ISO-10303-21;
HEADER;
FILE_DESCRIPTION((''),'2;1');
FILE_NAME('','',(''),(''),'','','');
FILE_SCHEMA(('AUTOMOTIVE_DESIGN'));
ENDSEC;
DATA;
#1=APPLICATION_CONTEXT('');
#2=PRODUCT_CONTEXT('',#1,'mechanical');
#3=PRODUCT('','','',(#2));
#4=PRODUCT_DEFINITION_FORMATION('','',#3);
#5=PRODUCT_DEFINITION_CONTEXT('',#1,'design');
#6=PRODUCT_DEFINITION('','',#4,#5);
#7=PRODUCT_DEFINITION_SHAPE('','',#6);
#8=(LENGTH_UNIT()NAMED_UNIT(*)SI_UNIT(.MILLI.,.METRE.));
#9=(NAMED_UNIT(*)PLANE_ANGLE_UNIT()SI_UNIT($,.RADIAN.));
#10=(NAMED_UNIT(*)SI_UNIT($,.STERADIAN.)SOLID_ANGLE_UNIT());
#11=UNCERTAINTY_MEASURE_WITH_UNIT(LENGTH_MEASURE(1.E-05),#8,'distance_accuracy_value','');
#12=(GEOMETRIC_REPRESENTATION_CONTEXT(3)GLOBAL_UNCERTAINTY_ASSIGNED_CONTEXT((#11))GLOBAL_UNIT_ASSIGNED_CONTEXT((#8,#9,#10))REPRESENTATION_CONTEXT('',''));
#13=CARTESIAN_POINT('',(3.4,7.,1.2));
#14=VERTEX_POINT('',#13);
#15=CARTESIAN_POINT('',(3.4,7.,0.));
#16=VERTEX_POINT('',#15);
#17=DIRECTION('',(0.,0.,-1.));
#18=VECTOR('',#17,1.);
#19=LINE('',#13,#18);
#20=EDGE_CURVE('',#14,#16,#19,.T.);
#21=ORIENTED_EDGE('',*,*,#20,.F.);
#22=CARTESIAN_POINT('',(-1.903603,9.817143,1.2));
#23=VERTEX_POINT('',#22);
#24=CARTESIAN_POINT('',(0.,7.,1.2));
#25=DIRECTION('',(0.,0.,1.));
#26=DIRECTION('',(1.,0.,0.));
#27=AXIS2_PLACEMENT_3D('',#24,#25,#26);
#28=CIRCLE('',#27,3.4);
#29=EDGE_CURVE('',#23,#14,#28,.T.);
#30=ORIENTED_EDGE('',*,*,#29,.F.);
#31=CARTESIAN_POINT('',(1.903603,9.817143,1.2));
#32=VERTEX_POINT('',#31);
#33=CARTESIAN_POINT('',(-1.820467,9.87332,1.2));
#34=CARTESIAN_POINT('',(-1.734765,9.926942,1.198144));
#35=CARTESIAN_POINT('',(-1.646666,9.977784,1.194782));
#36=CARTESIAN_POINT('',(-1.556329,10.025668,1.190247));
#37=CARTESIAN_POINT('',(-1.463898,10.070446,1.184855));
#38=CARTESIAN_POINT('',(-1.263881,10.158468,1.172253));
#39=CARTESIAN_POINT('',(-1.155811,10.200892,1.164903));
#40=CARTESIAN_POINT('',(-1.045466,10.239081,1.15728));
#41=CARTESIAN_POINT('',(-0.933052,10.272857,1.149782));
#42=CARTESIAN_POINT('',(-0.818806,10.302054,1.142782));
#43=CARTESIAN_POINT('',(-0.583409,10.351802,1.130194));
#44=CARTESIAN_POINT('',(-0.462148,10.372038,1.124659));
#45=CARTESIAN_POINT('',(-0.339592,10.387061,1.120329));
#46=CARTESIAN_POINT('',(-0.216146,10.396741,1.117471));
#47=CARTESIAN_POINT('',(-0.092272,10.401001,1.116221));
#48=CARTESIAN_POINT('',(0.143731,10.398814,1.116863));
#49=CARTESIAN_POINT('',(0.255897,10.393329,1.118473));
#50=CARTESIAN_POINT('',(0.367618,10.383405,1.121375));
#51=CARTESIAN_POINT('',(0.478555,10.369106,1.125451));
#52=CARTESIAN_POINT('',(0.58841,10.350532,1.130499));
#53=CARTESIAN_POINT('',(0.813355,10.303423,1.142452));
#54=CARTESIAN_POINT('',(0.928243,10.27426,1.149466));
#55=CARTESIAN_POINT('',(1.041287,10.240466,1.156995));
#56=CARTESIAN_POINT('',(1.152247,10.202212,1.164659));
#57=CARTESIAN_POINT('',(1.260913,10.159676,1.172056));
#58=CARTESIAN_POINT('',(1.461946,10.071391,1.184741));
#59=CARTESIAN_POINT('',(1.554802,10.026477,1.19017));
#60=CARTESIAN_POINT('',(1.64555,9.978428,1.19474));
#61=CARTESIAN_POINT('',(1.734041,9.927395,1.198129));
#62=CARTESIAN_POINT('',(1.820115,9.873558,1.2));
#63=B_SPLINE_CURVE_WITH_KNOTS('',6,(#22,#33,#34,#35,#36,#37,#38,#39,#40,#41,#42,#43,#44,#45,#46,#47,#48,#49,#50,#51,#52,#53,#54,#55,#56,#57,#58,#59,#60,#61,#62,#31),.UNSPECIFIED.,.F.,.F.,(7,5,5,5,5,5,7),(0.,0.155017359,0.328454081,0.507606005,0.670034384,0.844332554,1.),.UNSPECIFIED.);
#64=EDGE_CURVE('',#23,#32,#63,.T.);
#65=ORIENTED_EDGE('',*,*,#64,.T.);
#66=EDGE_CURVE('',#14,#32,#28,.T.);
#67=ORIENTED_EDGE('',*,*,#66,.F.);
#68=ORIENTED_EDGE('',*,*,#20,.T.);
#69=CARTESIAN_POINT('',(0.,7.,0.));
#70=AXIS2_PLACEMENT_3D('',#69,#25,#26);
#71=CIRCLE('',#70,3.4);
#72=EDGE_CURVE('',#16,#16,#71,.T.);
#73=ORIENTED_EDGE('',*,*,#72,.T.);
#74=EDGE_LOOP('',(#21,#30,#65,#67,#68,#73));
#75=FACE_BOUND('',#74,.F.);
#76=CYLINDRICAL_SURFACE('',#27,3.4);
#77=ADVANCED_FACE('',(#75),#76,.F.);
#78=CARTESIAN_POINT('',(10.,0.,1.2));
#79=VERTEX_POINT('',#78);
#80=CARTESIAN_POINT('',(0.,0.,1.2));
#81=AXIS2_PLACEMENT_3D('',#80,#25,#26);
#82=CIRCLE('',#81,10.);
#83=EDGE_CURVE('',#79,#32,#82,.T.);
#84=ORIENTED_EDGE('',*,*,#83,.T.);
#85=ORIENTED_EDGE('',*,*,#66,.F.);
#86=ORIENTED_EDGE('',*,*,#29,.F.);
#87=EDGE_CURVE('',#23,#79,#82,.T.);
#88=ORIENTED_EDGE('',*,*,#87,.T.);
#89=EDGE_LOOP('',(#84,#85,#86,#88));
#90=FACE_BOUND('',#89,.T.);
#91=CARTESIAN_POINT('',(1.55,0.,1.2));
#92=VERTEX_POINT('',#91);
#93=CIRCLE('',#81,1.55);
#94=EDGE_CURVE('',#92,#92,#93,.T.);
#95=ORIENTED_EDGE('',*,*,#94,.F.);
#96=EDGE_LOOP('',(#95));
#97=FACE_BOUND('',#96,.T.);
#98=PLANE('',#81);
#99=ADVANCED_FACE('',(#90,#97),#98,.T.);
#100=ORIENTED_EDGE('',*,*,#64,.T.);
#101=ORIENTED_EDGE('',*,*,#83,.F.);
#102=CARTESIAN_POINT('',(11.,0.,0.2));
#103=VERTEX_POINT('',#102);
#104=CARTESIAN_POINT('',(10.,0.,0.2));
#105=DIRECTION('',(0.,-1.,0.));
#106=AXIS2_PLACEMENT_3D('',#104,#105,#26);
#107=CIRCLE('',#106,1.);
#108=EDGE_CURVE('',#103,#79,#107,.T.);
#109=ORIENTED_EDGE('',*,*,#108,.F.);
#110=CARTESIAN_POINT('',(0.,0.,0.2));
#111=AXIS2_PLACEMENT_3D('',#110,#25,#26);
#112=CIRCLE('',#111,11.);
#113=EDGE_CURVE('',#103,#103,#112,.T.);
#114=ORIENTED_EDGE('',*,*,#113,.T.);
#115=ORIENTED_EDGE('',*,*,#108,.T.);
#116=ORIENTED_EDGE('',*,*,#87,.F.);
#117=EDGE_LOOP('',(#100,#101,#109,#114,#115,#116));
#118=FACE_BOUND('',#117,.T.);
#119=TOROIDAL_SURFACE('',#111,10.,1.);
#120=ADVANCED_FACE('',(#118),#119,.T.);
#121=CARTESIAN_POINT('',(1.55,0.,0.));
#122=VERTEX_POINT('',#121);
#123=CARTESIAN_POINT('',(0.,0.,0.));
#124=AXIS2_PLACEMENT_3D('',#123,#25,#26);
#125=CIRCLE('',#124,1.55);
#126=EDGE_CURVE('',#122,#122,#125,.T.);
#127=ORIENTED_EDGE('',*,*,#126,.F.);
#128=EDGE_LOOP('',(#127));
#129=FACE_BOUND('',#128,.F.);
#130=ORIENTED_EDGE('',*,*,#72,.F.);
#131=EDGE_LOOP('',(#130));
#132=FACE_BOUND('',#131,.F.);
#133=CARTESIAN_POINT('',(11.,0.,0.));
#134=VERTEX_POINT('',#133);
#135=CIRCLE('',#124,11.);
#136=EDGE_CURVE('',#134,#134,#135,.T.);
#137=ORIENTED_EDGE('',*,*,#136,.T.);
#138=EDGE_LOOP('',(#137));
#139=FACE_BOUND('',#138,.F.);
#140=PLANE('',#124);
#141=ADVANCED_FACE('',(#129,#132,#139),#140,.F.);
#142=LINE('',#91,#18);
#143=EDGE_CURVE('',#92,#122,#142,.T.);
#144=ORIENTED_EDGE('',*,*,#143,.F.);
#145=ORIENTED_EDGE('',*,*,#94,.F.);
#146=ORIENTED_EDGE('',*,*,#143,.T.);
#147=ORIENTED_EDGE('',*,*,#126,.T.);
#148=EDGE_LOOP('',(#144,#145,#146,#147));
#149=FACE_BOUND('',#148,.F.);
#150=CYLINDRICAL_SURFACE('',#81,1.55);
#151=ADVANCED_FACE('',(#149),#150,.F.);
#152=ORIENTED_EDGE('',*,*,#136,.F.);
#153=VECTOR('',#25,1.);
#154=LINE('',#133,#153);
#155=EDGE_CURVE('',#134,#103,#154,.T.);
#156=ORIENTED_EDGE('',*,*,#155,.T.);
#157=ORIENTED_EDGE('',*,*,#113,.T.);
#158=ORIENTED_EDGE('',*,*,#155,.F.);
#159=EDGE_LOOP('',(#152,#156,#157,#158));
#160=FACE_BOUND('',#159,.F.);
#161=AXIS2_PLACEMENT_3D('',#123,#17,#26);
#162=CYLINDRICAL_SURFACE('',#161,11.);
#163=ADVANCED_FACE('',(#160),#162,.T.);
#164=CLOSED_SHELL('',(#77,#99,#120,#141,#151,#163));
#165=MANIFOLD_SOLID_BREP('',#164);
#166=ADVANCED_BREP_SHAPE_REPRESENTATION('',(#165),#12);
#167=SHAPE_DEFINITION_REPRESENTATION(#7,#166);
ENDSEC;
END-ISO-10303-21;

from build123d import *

# Parameters (mm, degrees)
F0_R     = 11
F1_DEPTH = 1.2
F2_R     = 1
F3_R     = 1.55
F3_R_2   = 3.4
F4_DEPTH = 25


with BuildPart() as f1:
    # F0 (on Top) → F1 (new body)
    with BuildSketch(Plane.XY):
        Circle(F0_R)
    extrude(amount=F1_DEPTH)

    # F2
    f2_edges = [f1.edges().sort_by_distance(p)[0] for p in [
        (-11, 0, 1.2),
    ]]
    fillet(f2_edges, radius=F2_R)

    # F3 (on face) → F4 (cut)
    with BuildSketch(Plane.XY.offset(1.2)):
        Circle(F3_R)
        with Locations((0, 7)):
            Circle(F3_R_2)
    extrude(amount=-F4_DEPTH, mode=Mode.SUBTRACT)


solid = f1.part
